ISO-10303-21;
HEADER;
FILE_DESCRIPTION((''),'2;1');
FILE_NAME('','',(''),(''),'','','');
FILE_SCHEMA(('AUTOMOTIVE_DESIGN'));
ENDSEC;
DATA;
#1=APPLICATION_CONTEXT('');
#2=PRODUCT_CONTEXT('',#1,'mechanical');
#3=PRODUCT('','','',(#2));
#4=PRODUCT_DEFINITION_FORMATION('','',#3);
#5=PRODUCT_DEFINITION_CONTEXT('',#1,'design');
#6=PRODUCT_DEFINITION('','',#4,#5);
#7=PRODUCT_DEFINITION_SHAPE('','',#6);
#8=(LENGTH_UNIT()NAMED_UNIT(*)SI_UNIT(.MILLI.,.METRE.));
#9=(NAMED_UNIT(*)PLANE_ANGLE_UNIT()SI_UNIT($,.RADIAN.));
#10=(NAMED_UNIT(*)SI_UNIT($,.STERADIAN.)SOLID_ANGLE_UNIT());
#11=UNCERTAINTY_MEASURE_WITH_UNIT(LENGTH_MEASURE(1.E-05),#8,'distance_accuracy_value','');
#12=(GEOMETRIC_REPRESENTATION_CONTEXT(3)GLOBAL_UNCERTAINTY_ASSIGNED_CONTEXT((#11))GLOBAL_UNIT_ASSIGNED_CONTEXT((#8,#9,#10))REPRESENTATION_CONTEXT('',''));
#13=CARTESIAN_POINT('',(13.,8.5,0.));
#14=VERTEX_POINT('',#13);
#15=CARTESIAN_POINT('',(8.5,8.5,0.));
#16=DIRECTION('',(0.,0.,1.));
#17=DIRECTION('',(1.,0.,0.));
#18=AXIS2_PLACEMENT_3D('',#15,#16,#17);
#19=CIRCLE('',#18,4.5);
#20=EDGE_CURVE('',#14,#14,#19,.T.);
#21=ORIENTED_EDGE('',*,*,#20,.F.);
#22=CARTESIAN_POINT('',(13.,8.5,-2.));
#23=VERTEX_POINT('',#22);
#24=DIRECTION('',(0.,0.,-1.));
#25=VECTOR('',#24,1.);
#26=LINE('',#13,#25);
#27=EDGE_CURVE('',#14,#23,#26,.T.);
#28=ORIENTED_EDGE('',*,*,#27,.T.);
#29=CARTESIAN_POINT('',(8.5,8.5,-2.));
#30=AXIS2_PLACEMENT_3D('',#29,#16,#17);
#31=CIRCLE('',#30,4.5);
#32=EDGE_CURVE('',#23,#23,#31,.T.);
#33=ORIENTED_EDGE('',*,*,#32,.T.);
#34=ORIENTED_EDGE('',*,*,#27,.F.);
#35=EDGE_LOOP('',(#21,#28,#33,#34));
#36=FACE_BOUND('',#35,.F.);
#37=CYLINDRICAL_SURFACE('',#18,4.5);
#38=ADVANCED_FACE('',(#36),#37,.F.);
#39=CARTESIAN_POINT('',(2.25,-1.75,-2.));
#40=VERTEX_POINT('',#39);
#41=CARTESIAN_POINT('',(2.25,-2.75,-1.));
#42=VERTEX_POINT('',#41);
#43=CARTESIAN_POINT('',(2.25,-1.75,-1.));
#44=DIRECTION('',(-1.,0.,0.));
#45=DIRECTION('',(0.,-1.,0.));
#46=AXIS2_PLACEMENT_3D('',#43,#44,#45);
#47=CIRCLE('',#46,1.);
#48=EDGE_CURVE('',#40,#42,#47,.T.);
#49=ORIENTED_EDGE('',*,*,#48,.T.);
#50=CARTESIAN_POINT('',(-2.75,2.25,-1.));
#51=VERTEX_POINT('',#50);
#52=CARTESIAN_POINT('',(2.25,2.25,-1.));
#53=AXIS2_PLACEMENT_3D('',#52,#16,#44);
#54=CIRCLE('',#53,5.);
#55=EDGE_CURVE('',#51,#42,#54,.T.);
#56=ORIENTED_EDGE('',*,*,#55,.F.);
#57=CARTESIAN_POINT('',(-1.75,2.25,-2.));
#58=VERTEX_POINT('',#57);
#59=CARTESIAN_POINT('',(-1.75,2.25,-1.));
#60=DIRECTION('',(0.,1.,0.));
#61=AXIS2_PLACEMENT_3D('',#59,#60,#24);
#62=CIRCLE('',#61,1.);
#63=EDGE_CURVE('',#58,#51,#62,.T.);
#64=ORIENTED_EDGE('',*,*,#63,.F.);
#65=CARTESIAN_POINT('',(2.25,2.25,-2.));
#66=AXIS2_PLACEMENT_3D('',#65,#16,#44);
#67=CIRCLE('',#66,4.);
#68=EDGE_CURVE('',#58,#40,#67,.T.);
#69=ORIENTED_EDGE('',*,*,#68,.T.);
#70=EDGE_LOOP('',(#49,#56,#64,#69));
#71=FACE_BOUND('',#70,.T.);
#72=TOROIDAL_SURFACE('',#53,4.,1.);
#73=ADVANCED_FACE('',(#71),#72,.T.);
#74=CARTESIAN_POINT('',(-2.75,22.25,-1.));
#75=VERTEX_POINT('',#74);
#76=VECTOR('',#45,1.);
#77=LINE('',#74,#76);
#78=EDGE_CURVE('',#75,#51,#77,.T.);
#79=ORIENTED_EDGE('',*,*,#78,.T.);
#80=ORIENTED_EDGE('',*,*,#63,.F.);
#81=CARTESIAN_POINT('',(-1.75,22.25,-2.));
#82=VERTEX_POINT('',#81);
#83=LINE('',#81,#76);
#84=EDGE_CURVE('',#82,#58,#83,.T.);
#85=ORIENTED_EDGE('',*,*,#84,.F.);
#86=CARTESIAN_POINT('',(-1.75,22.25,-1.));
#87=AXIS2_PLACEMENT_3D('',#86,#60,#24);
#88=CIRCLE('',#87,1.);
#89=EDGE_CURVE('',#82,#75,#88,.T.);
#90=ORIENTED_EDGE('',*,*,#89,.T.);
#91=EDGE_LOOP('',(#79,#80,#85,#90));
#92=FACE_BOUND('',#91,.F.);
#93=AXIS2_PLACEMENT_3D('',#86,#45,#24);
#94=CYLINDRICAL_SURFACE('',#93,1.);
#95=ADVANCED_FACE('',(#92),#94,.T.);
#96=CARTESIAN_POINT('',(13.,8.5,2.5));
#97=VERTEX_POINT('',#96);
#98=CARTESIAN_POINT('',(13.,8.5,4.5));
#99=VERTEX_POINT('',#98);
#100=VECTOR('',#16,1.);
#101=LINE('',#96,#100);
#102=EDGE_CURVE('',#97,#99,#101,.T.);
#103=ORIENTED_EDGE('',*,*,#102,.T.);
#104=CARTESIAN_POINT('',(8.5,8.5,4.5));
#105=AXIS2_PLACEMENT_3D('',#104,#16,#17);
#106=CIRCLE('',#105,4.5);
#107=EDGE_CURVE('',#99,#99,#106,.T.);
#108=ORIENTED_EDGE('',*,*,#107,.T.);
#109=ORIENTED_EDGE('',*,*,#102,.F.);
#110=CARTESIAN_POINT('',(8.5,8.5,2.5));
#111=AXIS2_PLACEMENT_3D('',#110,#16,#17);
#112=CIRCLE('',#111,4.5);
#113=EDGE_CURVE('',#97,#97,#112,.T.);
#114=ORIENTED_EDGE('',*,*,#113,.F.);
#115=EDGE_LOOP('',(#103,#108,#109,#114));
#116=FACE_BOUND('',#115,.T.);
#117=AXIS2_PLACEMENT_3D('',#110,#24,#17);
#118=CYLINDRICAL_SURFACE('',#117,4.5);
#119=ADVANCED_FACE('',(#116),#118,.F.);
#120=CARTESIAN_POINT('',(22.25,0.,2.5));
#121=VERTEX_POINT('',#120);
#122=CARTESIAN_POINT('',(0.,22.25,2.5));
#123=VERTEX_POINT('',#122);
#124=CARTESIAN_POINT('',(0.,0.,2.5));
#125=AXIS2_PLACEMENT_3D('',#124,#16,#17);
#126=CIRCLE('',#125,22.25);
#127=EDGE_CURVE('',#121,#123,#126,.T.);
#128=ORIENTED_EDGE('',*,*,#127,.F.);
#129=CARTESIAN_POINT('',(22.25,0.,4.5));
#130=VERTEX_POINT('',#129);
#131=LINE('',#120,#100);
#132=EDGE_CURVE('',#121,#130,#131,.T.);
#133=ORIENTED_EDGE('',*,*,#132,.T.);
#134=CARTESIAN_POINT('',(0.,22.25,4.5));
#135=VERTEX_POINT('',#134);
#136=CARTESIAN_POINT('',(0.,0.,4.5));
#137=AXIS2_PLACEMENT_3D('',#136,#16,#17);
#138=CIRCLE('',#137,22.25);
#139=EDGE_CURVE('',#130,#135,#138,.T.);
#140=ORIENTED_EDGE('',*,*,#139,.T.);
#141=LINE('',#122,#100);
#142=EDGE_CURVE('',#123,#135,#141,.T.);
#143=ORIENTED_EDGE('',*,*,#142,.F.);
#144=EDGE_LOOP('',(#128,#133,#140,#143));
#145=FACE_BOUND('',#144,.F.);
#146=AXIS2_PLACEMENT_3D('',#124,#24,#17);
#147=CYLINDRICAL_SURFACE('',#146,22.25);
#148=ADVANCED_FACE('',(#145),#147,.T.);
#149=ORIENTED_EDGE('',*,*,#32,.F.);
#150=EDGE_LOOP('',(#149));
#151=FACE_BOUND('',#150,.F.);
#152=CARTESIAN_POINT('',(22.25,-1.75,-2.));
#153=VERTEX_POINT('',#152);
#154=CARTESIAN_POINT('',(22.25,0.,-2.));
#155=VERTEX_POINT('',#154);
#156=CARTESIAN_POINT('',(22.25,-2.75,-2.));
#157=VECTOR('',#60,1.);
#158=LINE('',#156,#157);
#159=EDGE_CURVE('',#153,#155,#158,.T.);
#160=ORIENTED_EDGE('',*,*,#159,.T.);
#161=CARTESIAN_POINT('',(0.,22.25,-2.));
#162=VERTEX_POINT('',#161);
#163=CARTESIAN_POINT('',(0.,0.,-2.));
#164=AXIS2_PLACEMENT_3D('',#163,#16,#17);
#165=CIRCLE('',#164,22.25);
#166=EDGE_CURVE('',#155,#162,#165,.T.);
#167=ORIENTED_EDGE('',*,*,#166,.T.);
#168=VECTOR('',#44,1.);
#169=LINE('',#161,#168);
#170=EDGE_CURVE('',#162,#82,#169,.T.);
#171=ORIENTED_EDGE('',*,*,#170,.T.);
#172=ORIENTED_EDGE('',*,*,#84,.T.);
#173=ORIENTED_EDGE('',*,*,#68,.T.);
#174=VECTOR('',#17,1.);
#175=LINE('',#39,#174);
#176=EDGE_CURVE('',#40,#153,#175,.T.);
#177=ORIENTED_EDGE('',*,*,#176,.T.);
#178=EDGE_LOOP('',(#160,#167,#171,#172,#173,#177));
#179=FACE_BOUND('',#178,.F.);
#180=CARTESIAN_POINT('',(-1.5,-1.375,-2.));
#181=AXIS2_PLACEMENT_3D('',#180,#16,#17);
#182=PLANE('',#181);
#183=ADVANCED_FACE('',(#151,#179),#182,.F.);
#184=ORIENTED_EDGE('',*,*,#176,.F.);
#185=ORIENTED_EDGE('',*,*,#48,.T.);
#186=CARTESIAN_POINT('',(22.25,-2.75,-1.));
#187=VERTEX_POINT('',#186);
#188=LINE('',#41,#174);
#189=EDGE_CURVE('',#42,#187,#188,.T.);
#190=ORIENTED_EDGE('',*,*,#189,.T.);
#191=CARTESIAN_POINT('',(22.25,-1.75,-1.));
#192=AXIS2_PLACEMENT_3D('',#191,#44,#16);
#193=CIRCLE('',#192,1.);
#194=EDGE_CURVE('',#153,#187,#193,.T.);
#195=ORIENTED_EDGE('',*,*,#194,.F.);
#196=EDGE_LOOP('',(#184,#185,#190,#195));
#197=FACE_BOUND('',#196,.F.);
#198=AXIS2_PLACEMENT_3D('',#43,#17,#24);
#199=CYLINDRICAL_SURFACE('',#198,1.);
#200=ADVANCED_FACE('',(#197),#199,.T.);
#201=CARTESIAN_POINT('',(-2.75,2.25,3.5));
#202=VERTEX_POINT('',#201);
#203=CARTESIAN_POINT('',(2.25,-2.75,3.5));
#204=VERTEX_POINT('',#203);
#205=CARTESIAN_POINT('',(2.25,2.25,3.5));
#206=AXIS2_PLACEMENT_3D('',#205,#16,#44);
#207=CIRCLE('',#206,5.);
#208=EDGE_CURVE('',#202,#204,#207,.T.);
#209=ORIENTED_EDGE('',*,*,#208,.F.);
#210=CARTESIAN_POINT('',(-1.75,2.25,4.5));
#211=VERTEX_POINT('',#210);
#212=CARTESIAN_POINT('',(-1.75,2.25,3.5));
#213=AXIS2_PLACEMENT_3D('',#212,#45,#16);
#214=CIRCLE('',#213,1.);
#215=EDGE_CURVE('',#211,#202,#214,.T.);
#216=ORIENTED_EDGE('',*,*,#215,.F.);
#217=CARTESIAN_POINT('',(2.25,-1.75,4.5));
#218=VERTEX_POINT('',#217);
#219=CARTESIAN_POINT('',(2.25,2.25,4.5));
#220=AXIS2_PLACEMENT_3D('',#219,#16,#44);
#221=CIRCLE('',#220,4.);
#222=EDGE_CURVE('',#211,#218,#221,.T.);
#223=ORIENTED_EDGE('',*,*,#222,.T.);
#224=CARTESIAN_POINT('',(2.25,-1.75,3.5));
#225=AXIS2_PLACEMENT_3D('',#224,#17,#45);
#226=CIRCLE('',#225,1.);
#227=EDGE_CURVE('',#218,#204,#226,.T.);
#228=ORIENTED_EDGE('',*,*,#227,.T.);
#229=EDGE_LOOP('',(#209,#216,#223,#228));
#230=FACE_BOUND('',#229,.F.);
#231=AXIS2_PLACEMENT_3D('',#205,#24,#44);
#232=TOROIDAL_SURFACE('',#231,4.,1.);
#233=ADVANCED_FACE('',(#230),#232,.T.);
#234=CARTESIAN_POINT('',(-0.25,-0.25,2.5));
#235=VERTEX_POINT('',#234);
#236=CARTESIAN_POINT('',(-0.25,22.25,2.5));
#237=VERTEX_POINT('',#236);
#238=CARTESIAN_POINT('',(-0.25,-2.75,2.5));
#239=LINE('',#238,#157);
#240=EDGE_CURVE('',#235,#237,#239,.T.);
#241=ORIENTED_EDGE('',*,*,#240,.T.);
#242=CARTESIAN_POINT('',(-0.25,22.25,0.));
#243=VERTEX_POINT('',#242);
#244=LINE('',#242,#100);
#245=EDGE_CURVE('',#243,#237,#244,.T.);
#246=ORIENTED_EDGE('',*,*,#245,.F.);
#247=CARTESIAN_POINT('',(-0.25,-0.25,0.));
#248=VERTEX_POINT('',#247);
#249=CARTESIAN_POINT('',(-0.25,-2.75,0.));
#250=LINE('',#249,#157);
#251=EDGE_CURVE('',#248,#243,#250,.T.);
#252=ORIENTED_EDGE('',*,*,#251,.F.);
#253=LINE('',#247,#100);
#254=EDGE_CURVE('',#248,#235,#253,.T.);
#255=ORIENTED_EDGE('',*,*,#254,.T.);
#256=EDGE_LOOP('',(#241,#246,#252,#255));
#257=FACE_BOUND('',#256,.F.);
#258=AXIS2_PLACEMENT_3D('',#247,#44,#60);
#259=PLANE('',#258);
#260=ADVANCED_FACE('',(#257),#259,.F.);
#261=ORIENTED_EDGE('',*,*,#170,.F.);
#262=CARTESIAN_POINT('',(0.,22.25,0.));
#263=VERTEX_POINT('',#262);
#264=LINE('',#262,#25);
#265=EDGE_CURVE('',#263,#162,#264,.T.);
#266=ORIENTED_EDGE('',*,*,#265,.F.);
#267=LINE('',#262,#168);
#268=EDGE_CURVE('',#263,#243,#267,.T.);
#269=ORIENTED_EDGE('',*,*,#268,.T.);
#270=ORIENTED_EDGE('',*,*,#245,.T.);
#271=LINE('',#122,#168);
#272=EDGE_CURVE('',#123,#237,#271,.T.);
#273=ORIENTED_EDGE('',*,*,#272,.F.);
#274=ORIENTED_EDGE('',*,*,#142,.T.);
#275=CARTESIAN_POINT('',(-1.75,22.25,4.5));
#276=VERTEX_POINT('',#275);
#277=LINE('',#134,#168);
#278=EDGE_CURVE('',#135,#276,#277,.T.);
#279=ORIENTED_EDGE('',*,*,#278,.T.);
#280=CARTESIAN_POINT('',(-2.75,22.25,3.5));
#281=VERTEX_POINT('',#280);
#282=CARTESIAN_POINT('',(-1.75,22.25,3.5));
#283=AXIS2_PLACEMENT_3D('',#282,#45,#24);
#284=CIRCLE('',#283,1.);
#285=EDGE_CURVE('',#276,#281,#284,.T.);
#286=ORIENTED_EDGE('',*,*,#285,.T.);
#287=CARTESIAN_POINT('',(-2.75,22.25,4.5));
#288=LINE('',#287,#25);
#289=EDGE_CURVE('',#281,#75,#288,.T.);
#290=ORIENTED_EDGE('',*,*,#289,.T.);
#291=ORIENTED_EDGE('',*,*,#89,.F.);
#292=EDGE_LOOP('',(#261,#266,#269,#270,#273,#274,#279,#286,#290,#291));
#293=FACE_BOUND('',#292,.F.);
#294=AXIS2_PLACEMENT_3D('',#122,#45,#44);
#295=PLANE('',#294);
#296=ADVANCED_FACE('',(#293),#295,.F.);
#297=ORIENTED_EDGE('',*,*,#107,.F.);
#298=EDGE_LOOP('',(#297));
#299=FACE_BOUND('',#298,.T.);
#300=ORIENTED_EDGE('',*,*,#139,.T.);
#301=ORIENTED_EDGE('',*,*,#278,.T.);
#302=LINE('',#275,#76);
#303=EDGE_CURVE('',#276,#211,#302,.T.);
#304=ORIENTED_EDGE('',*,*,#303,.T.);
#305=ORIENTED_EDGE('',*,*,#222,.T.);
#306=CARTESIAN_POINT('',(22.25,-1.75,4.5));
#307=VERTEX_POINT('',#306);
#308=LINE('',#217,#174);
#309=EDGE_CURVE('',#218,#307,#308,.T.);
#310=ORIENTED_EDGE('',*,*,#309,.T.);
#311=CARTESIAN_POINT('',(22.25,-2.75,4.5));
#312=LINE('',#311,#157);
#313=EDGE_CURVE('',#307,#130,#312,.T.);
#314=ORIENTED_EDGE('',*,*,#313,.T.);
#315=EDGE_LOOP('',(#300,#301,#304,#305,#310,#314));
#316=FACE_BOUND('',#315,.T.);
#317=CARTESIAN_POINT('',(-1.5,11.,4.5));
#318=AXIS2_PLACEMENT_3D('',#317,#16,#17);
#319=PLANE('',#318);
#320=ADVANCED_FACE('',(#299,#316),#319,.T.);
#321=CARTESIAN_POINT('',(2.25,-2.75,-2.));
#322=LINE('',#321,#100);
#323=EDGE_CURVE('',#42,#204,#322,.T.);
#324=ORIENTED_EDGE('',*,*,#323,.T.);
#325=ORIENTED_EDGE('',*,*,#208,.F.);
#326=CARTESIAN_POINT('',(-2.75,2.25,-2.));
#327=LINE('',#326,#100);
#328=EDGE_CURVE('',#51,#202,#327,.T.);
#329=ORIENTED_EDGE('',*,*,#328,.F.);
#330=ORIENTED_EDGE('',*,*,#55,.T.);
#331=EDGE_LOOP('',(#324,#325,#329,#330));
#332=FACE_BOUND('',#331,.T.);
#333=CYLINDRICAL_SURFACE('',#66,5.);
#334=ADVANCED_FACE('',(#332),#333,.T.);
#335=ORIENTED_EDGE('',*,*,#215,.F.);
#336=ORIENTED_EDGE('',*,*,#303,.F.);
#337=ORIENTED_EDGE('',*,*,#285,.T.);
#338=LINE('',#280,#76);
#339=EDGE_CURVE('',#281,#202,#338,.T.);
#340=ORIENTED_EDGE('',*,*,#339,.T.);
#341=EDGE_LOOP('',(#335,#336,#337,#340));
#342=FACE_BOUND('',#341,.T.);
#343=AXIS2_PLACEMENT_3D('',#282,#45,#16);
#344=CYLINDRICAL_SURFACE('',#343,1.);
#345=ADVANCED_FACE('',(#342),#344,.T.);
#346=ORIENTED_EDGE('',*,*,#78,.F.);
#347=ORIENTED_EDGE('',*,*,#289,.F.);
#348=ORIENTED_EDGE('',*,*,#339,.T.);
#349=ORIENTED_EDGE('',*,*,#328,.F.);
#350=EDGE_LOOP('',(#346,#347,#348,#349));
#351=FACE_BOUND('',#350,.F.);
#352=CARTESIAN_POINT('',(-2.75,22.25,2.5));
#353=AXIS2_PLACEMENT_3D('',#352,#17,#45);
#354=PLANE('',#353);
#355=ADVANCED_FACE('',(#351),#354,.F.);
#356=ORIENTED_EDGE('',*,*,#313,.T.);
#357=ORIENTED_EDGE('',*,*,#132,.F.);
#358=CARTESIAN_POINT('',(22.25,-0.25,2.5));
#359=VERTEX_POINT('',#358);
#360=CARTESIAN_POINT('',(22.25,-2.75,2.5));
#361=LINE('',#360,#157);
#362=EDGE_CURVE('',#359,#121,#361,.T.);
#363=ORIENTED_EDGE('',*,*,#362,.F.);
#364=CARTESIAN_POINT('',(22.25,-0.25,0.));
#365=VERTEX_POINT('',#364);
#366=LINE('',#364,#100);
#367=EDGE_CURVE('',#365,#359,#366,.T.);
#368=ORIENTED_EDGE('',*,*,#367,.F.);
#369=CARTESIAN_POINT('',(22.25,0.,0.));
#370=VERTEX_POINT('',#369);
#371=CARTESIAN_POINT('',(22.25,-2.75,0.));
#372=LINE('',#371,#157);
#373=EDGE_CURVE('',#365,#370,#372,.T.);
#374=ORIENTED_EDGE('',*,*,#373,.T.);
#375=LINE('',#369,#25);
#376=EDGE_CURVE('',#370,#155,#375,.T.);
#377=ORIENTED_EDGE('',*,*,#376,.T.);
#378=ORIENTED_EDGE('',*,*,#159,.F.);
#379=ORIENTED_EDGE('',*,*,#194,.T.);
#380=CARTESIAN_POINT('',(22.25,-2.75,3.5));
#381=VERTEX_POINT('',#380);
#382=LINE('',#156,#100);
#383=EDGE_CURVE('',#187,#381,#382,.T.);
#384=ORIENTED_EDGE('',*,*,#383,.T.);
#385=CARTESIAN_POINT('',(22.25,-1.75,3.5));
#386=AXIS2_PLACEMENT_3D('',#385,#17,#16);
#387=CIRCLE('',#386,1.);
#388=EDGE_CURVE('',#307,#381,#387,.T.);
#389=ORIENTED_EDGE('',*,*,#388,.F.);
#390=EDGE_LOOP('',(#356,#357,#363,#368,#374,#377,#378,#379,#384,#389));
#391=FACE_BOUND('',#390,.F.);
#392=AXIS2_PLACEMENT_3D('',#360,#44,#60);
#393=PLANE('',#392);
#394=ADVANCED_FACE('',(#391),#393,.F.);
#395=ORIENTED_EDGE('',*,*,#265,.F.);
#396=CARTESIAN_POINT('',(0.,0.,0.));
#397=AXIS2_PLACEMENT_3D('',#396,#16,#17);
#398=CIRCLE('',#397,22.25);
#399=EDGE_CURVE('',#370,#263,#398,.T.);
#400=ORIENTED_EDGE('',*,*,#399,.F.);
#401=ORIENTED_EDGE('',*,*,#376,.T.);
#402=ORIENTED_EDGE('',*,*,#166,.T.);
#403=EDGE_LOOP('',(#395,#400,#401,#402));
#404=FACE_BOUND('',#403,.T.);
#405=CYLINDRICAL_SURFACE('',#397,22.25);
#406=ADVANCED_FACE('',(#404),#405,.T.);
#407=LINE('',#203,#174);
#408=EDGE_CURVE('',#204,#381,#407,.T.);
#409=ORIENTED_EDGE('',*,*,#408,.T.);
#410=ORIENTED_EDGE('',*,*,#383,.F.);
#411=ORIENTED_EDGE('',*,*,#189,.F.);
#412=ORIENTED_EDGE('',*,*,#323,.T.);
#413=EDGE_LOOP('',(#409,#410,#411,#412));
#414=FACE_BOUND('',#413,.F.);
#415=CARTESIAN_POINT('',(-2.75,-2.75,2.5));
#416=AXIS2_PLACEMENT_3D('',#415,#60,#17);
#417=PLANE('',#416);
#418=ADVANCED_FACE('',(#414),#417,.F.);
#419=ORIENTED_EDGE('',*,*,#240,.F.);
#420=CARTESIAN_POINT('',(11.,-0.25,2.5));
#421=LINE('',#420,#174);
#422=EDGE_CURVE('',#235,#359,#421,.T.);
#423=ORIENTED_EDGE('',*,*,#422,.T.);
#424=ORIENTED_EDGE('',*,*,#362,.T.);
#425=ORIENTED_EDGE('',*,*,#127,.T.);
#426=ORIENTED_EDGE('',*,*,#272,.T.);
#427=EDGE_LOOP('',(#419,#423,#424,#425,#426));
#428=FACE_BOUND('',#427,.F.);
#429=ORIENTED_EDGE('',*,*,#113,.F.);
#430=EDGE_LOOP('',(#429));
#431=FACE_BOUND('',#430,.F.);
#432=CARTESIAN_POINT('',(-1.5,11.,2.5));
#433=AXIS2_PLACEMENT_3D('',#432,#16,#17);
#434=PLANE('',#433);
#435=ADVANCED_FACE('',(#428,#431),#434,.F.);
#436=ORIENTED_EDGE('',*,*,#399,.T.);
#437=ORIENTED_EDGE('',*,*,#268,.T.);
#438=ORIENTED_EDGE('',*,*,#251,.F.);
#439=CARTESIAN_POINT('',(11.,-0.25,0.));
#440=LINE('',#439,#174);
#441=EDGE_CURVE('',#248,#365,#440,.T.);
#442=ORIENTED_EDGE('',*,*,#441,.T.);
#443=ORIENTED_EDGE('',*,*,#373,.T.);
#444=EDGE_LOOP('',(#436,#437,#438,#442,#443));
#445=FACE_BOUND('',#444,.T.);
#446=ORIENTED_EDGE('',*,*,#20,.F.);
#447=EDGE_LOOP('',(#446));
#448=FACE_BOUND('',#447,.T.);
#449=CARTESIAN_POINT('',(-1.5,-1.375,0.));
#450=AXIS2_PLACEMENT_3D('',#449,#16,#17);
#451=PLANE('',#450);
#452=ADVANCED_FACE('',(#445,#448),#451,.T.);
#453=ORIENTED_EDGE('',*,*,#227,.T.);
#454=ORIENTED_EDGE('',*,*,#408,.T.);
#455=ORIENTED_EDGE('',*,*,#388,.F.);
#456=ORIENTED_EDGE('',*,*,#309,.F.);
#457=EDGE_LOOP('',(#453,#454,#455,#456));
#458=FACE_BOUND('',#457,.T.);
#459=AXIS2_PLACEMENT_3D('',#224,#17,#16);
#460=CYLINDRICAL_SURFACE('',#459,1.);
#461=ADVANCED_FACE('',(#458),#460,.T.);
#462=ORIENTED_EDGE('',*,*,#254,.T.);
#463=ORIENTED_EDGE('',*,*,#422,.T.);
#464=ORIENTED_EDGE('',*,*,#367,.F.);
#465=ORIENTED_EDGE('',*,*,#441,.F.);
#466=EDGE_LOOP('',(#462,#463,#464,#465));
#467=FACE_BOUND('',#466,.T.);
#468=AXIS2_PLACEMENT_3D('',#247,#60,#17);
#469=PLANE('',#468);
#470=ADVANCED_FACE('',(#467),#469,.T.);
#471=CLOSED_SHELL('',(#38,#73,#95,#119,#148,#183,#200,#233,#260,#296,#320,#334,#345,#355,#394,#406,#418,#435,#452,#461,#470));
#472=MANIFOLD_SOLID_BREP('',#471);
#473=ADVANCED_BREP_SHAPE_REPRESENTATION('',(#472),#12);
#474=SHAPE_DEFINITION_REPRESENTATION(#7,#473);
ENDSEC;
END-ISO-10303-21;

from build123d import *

# Parameters (mm, degrees)
F0_W     = 2.5
F0_H     = 22.25
F0_R     = 4.5
F0_W_2   = 22.5
F0_H_2   = 2.5
F1_DEPTH = 2
F2_DEPTH = 2.5
F3_W     = 2.5
F3_H     = 22.5
F3_R     = 4.5
F3_H_2   = 2.5
F3_W_2   = 22.5
F4_DEPTH = 2
F5_R     = 5
F6_R     = 1


with BuildPart() as f1:
    # F0 (on Top) → F1 (new body)
    with BuildSketch(Plane.XY):
        Polygon((-0.25, -0.25), (-0.25, 0), (-2.75, 0), (-2.75, -2.75), (-0.25, -2.75), align=None)
        with Locations((-1.5, 11.125)):
            Rectangle(F0_W, F0_H)
        with BuildLine():
            Line((-0.25, 22.25), (-0.25, 0))
            Line((-0.25, 0), (-0.25, -0.25))
            Line((-0.25, -0.25), (22.25, -0.25))
            Line((22.25, -0.25), (22.25, 0))
            ThreePointArc((22.25, 0), (15.7331258814, 15.7331258814), (0, 22.25))
            Line((0, 22.25), (-0.25, 22.25))
        make_face()
        with Locations((8.5, 8.5)):
            Circle(F0_R, mode=Mode.SUBTRACT)
        with Locations((11, -1.5)):
            Rectangle(F0_W_2, F0_H_2)
    extrude(amount=-F1_DEPTH)

    # F0 (on Top) → F2 (join)
    with BuildSketch(Plane.XY):
        with Locations((-1.5, 11.125)):
            Rectangle(F0_W, F0_H)
        Polygon((-0.25, -0.25), (-0.25, 0), (-2.75, 0), (-2.75, -2.75), (-0.25, -2.75), align=None)
        with Locations((11, -1.5)):
            Rectangle(F0_W_2, F0_H_2)
    extrude(amount=F2_DEPTH)

    # F3 (on face) → F4 (join)
    with BuildSketch(Plane.XY.offset(2.5)):
        with Locations((-1.5, 11)):
            Rectangle(F3_W, F3_H)
        with BuildLine():
            Line((0, 22.25), (-0.25, 22.25))
            Line((-0.25, 22.25), (-0.25, -0.25))
            Line((-0.25, -0.25), (22.25, -0.25))
            Line((22.25, -0.25), (22.25, 0))
            ThreePointArc((22.25, 0), (15.7331258814, 15.7331258814), (0, 22.25))
        make_face()
        with Locations((8.5, 8.5)):
            Circle(F3_R, mode=Mode.SUBTRACT)
        with Locations((-1.5, -1.5)):
            Rectangle(F3_W, F3_H_2)
        with Locations((11, -1.5)):
            Rectangle(F3_W_2, F3_H_2)
    extrude(amount=F4_DEPTH)

    # F5
    f5_edges = [f1.edges().sort_by_distance(p)[0] for p in [
        (-2.75, -2.75, 1.25),
    ]]
    fillet(f5_edges, radius=F5_R)

    # F6
    f6_edges = [f1.edges().sort_by_distance(p)[0] for p in [
        (12.25, -2.75, 4.5),
        (12.25, -2.75, -2),
        (-1.285534, -1.285534, -2),
    ]]
    fillet(f6_edges, radius=F6_R)


solid = f1.part
